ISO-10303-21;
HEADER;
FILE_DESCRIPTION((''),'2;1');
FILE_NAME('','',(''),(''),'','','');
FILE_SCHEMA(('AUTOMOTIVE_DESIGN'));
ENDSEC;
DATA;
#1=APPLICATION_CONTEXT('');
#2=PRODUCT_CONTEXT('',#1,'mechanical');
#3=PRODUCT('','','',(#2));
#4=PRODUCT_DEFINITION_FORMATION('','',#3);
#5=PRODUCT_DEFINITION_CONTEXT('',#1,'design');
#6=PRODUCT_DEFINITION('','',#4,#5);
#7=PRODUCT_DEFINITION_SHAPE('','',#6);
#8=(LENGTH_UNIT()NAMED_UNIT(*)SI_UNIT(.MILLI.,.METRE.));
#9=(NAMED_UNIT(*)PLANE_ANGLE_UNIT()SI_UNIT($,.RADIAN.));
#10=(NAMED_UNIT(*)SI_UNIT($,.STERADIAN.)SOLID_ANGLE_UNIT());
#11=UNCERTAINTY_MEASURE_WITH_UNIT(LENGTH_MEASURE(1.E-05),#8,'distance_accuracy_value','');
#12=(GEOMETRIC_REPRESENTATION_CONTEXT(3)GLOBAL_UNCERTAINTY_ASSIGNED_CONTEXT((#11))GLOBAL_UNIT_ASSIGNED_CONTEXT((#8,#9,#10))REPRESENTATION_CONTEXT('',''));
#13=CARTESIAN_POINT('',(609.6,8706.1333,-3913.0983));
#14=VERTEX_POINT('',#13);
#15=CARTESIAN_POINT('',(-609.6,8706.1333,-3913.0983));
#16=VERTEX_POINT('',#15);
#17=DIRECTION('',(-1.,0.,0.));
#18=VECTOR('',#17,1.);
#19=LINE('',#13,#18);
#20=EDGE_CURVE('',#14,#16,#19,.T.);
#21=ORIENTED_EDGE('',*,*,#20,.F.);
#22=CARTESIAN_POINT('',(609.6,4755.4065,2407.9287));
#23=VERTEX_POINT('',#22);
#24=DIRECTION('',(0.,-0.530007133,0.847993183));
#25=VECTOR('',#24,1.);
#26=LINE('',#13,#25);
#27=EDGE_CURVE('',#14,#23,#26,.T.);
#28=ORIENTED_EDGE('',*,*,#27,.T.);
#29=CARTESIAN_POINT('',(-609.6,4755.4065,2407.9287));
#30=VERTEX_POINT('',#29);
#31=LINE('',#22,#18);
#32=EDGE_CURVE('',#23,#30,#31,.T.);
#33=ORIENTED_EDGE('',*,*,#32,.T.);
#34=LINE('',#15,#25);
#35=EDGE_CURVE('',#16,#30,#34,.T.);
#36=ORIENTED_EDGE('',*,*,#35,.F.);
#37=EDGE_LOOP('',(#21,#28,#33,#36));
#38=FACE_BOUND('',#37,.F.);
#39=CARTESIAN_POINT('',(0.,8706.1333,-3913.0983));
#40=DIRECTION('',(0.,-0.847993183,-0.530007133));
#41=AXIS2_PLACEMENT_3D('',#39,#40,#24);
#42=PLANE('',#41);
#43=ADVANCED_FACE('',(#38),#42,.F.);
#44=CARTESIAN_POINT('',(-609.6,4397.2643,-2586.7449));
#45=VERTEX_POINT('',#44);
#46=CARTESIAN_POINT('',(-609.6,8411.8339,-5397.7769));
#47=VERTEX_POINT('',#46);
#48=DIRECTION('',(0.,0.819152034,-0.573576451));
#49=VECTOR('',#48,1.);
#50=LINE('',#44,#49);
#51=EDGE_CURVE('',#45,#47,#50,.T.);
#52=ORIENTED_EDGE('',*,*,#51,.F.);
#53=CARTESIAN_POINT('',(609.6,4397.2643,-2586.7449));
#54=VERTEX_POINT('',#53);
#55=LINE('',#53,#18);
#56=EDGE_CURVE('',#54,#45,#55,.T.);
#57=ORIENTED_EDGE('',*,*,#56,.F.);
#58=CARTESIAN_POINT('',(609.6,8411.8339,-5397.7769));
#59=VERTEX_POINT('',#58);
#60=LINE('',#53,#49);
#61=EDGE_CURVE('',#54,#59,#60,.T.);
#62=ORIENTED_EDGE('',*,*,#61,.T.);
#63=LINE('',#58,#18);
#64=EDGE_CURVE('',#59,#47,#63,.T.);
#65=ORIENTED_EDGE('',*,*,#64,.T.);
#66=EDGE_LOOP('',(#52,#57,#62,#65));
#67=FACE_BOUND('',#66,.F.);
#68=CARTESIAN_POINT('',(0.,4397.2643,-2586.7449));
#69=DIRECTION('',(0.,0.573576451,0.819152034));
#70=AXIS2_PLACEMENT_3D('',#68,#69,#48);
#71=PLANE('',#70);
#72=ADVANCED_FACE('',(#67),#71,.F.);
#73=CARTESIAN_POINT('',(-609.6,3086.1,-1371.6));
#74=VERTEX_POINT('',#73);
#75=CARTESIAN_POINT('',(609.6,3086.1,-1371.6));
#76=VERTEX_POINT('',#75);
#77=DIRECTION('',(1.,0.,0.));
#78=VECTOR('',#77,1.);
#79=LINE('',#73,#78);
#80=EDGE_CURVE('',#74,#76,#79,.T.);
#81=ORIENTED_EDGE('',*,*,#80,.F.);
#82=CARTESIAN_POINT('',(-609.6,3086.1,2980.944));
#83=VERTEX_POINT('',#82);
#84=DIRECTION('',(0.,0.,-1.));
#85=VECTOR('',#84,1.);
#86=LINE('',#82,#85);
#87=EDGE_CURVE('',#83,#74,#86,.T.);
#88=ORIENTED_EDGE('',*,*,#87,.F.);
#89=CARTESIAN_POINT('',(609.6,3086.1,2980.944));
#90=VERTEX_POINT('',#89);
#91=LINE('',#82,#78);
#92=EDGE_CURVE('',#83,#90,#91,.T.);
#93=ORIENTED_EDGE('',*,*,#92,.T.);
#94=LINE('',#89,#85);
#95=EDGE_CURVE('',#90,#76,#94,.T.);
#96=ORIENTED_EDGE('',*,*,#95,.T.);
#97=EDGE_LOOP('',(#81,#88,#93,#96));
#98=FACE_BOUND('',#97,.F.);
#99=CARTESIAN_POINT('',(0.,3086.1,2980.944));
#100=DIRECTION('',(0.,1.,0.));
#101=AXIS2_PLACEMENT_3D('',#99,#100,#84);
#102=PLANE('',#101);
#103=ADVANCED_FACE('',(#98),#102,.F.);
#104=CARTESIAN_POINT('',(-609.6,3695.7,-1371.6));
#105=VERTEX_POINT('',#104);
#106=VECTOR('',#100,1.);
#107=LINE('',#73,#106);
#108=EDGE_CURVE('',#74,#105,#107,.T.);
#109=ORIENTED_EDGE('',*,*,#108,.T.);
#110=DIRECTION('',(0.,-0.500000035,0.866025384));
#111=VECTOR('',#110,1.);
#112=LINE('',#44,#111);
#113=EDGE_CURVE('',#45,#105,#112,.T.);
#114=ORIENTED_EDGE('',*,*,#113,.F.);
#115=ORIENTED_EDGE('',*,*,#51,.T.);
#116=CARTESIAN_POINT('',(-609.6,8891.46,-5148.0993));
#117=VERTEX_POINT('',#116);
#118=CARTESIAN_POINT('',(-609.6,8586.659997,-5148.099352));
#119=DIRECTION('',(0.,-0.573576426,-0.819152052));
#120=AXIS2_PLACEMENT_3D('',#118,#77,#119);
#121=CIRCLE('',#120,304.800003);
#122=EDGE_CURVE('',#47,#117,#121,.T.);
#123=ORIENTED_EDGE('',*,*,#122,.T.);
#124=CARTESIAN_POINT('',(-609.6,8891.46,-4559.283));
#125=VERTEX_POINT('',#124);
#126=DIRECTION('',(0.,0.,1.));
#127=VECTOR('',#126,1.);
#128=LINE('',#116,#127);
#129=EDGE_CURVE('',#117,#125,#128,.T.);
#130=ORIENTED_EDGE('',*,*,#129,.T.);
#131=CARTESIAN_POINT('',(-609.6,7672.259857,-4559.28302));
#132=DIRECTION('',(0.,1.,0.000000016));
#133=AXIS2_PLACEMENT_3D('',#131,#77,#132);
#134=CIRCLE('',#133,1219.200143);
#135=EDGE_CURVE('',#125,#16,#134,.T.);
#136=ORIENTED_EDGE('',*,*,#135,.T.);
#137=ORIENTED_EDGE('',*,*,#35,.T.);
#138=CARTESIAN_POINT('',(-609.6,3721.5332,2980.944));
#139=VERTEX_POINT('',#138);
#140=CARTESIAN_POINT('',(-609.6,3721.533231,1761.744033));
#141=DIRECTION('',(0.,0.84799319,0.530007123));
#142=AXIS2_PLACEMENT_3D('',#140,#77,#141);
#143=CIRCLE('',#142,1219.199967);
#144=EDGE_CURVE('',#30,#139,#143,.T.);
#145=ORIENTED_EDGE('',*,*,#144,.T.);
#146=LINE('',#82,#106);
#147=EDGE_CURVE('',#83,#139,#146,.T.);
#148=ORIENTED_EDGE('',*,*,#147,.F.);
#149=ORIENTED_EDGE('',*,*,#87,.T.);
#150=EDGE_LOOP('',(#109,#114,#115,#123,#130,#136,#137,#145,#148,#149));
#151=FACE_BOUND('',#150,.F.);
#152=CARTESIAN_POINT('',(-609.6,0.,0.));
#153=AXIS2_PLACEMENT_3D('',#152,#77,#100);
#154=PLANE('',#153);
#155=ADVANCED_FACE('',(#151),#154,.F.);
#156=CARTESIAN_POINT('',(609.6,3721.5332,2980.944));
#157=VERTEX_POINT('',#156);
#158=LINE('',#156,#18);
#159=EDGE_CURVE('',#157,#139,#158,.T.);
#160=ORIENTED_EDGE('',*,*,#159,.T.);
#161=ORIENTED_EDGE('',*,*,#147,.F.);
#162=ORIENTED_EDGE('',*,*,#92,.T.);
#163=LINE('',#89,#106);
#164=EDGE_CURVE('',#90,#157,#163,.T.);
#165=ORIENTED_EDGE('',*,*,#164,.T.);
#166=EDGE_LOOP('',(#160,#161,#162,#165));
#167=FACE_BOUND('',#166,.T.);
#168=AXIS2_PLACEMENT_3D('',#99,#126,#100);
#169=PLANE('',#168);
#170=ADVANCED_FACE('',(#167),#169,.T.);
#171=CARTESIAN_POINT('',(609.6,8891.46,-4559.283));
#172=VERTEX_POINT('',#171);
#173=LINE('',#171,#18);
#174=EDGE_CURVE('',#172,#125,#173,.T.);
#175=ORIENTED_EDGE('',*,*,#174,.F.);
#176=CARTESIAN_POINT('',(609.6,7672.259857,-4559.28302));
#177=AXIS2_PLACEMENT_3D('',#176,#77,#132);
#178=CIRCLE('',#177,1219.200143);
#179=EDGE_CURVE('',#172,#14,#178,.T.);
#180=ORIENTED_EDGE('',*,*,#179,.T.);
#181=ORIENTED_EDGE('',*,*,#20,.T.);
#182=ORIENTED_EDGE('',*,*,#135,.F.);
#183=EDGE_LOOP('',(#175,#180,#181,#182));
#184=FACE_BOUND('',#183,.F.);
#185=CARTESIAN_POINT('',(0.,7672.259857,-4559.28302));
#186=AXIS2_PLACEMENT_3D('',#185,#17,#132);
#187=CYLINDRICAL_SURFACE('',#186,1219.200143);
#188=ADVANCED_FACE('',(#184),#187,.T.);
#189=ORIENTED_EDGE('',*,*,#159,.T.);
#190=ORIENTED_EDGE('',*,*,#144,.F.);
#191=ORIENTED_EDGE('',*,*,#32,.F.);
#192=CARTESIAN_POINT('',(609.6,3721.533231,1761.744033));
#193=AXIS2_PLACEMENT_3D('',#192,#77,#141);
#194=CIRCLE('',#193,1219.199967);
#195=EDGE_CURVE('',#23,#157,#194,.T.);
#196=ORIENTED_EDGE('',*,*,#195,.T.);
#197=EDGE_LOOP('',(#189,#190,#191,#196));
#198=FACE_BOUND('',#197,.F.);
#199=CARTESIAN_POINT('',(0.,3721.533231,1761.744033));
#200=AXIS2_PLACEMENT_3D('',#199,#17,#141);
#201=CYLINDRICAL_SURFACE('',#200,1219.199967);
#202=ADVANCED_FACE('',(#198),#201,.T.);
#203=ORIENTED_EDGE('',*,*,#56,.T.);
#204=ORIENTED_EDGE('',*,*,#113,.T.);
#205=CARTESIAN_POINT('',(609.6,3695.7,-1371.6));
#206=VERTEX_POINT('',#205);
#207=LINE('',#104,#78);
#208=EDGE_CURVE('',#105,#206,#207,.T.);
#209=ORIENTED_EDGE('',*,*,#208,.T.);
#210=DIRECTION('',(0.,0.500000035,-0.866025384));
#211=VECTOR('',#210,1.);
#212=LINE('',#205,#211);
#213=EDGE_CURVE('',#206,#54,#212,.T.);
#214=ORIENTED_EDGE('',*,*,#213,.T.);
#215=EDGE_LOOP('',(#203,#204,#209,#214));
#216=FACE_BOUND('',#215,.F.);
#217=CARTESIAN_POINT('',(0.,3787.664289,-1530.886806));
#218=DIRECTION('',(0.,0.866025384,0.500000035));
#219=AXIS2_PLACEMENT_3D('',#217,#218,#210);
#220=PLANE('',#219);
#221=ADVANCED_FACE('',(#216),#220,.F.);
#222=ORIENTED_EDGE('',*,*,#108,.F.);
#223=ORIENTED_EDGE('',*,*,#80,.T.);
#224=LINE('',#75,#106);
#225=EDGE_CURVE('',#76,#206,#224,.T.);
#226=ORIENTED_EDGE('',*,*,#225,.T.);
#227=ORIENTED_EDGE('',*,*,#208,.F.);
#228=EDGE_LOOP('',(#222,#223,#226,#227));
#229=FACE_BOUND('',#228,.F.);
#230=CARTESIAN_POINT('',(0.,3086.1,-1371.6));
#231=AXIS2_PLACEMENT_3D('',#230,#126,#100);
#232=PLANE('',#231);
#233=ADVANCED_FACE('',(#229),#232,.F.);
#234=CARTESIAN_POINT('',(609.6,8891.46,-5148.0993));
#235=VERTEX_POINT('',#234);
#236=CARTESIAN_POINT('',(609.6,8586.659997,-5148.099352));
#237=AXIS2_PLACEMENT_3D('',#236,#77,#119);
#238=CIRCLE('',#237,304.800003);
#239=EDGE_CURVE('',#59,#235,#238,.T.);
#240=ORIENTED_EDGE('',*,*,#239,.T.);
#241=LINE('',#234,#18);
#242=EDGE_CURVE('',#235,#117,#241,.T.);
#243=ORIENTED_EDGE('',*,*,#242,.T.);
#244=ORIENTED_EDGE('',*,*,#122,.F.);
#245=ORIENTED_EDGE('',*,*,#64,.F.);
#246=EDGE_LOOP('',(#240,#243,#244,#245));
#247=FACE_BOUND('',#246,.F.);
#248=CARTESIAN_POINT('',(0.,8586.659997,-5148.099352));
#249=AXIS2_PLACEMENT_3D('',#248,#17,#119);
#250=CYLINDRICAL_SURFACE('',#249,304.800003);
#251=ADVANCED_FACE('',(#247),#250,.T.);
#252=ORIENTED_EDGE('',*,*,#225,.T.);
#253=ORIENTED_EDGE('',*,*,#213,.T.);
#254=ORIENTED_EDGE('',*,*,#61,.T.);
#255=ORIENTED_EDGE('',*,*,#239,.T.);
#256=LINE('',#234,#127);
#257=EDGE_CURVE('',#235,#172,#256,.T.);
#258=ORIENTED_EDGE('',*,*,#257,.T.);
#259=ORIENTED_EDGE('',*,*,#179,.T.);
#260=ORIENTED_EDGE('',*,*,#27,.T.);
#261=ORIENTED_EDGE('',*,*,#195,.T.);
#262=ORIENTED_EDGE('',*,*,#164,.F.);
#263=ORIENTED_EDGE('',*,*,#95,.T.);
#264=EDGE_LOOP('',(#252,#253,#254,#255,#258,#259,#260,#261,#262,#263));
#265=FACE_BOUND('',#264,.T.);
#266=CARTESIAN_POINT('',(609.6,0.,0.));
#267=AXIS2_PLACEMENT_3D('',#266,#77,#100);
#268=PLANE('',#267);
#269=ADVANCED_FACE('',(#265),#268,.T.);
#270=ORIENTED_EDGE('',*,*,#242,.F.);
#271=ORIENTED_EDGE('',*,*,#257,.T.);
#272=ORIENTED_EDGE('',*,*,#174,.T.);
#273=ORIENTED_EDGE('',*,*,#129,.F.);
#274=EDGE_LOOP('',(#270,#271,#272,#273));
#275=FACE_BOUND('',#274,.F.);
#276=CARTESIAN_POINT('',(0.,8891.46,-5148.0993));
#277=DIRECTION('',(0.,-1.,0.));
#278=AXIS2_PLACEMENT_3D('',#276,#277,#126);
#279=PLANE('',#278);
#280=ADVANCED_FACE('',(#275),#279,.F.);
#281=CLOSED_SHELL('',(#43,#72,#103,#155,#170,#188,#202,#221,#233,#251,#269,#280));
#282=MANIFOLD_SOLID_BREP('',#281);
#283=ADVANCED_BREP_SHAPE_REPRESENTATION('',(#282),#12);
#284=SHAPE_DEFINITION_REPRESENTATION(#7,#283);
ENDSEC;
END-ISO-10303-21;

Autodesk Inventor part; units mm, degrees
ref_plane "YZ Plane" through (0, 0, 0) normal (1, 0, 0) x (0, 1, 0)
ref_plane "XZ Plane" through (0, 0, 0) normal (0, 1, 0) x (-1, 0, 0)
ref_plane "XY Plane" through (0, 0, 0) normal (0, 0, 1) x (1, 0, 0)
sketch "Sketch18" plane through (0, 0, 0) normal (1, 0, 0) x (0, 1, 0)
  line L0 (3086.1, 2980.944) -> (3721.5332, 2980.944)
  line L1 (3086.1, 2980.944) -> (3086.1, -1371.6)
  line L2 (3086.1, -1371.6) -> (3695.7, -1371.6)
  line L3 (3695.7, -1371.6) -> (4397.2643, -2586.7449)
  line L4 (4397.2643, -2586.7449) -> (3787.6643, -1530.8868)
  line L5 (4397.2643, -2586.7449) -> (8411.8339, -5397.7769)
  line L6 (4397.2643, -2586.7449) -> (9298.1489, -2586.7449) construction
  line L7 (8891.46, -5148.0993) -> (8891.46, -4559.283)
  line L8 (8706.1333, -3913.0983) -> (4755.4065, 2407.9287)
  arc A0 (4755.4065, 2407.9287) -> (3721.5332, 2980.944) centre (3721.5332, 1761.744) ccw
  arc A1 (8891.46, -4559.283) -> (8706.1333, -3913.0983) centre (7672.26, -4559.283) ccw
  arc A2 (8411.8339, -5397.7769) -> (8891.46, -5148.0993) centre (8586.66, -5148.0993) ccw
  point P0 (0, 0)
  point P1 (8891.46, -5733.6147)
  point P2 (8891.46, -4209.6147)
  dimension "d85" = 4352.544
  dimension "d89" = 5486.4
  dimension "d90" = 35
  dimension "d91" = 1524
  dimension "d92" = 1219.2
  dimension "d93" = 304.8
extrude "Extrusion16" add sketch "Sketch18" along normal mid plane 1219.2
properties part number "vertical_tail" material "Steel, Mild"
